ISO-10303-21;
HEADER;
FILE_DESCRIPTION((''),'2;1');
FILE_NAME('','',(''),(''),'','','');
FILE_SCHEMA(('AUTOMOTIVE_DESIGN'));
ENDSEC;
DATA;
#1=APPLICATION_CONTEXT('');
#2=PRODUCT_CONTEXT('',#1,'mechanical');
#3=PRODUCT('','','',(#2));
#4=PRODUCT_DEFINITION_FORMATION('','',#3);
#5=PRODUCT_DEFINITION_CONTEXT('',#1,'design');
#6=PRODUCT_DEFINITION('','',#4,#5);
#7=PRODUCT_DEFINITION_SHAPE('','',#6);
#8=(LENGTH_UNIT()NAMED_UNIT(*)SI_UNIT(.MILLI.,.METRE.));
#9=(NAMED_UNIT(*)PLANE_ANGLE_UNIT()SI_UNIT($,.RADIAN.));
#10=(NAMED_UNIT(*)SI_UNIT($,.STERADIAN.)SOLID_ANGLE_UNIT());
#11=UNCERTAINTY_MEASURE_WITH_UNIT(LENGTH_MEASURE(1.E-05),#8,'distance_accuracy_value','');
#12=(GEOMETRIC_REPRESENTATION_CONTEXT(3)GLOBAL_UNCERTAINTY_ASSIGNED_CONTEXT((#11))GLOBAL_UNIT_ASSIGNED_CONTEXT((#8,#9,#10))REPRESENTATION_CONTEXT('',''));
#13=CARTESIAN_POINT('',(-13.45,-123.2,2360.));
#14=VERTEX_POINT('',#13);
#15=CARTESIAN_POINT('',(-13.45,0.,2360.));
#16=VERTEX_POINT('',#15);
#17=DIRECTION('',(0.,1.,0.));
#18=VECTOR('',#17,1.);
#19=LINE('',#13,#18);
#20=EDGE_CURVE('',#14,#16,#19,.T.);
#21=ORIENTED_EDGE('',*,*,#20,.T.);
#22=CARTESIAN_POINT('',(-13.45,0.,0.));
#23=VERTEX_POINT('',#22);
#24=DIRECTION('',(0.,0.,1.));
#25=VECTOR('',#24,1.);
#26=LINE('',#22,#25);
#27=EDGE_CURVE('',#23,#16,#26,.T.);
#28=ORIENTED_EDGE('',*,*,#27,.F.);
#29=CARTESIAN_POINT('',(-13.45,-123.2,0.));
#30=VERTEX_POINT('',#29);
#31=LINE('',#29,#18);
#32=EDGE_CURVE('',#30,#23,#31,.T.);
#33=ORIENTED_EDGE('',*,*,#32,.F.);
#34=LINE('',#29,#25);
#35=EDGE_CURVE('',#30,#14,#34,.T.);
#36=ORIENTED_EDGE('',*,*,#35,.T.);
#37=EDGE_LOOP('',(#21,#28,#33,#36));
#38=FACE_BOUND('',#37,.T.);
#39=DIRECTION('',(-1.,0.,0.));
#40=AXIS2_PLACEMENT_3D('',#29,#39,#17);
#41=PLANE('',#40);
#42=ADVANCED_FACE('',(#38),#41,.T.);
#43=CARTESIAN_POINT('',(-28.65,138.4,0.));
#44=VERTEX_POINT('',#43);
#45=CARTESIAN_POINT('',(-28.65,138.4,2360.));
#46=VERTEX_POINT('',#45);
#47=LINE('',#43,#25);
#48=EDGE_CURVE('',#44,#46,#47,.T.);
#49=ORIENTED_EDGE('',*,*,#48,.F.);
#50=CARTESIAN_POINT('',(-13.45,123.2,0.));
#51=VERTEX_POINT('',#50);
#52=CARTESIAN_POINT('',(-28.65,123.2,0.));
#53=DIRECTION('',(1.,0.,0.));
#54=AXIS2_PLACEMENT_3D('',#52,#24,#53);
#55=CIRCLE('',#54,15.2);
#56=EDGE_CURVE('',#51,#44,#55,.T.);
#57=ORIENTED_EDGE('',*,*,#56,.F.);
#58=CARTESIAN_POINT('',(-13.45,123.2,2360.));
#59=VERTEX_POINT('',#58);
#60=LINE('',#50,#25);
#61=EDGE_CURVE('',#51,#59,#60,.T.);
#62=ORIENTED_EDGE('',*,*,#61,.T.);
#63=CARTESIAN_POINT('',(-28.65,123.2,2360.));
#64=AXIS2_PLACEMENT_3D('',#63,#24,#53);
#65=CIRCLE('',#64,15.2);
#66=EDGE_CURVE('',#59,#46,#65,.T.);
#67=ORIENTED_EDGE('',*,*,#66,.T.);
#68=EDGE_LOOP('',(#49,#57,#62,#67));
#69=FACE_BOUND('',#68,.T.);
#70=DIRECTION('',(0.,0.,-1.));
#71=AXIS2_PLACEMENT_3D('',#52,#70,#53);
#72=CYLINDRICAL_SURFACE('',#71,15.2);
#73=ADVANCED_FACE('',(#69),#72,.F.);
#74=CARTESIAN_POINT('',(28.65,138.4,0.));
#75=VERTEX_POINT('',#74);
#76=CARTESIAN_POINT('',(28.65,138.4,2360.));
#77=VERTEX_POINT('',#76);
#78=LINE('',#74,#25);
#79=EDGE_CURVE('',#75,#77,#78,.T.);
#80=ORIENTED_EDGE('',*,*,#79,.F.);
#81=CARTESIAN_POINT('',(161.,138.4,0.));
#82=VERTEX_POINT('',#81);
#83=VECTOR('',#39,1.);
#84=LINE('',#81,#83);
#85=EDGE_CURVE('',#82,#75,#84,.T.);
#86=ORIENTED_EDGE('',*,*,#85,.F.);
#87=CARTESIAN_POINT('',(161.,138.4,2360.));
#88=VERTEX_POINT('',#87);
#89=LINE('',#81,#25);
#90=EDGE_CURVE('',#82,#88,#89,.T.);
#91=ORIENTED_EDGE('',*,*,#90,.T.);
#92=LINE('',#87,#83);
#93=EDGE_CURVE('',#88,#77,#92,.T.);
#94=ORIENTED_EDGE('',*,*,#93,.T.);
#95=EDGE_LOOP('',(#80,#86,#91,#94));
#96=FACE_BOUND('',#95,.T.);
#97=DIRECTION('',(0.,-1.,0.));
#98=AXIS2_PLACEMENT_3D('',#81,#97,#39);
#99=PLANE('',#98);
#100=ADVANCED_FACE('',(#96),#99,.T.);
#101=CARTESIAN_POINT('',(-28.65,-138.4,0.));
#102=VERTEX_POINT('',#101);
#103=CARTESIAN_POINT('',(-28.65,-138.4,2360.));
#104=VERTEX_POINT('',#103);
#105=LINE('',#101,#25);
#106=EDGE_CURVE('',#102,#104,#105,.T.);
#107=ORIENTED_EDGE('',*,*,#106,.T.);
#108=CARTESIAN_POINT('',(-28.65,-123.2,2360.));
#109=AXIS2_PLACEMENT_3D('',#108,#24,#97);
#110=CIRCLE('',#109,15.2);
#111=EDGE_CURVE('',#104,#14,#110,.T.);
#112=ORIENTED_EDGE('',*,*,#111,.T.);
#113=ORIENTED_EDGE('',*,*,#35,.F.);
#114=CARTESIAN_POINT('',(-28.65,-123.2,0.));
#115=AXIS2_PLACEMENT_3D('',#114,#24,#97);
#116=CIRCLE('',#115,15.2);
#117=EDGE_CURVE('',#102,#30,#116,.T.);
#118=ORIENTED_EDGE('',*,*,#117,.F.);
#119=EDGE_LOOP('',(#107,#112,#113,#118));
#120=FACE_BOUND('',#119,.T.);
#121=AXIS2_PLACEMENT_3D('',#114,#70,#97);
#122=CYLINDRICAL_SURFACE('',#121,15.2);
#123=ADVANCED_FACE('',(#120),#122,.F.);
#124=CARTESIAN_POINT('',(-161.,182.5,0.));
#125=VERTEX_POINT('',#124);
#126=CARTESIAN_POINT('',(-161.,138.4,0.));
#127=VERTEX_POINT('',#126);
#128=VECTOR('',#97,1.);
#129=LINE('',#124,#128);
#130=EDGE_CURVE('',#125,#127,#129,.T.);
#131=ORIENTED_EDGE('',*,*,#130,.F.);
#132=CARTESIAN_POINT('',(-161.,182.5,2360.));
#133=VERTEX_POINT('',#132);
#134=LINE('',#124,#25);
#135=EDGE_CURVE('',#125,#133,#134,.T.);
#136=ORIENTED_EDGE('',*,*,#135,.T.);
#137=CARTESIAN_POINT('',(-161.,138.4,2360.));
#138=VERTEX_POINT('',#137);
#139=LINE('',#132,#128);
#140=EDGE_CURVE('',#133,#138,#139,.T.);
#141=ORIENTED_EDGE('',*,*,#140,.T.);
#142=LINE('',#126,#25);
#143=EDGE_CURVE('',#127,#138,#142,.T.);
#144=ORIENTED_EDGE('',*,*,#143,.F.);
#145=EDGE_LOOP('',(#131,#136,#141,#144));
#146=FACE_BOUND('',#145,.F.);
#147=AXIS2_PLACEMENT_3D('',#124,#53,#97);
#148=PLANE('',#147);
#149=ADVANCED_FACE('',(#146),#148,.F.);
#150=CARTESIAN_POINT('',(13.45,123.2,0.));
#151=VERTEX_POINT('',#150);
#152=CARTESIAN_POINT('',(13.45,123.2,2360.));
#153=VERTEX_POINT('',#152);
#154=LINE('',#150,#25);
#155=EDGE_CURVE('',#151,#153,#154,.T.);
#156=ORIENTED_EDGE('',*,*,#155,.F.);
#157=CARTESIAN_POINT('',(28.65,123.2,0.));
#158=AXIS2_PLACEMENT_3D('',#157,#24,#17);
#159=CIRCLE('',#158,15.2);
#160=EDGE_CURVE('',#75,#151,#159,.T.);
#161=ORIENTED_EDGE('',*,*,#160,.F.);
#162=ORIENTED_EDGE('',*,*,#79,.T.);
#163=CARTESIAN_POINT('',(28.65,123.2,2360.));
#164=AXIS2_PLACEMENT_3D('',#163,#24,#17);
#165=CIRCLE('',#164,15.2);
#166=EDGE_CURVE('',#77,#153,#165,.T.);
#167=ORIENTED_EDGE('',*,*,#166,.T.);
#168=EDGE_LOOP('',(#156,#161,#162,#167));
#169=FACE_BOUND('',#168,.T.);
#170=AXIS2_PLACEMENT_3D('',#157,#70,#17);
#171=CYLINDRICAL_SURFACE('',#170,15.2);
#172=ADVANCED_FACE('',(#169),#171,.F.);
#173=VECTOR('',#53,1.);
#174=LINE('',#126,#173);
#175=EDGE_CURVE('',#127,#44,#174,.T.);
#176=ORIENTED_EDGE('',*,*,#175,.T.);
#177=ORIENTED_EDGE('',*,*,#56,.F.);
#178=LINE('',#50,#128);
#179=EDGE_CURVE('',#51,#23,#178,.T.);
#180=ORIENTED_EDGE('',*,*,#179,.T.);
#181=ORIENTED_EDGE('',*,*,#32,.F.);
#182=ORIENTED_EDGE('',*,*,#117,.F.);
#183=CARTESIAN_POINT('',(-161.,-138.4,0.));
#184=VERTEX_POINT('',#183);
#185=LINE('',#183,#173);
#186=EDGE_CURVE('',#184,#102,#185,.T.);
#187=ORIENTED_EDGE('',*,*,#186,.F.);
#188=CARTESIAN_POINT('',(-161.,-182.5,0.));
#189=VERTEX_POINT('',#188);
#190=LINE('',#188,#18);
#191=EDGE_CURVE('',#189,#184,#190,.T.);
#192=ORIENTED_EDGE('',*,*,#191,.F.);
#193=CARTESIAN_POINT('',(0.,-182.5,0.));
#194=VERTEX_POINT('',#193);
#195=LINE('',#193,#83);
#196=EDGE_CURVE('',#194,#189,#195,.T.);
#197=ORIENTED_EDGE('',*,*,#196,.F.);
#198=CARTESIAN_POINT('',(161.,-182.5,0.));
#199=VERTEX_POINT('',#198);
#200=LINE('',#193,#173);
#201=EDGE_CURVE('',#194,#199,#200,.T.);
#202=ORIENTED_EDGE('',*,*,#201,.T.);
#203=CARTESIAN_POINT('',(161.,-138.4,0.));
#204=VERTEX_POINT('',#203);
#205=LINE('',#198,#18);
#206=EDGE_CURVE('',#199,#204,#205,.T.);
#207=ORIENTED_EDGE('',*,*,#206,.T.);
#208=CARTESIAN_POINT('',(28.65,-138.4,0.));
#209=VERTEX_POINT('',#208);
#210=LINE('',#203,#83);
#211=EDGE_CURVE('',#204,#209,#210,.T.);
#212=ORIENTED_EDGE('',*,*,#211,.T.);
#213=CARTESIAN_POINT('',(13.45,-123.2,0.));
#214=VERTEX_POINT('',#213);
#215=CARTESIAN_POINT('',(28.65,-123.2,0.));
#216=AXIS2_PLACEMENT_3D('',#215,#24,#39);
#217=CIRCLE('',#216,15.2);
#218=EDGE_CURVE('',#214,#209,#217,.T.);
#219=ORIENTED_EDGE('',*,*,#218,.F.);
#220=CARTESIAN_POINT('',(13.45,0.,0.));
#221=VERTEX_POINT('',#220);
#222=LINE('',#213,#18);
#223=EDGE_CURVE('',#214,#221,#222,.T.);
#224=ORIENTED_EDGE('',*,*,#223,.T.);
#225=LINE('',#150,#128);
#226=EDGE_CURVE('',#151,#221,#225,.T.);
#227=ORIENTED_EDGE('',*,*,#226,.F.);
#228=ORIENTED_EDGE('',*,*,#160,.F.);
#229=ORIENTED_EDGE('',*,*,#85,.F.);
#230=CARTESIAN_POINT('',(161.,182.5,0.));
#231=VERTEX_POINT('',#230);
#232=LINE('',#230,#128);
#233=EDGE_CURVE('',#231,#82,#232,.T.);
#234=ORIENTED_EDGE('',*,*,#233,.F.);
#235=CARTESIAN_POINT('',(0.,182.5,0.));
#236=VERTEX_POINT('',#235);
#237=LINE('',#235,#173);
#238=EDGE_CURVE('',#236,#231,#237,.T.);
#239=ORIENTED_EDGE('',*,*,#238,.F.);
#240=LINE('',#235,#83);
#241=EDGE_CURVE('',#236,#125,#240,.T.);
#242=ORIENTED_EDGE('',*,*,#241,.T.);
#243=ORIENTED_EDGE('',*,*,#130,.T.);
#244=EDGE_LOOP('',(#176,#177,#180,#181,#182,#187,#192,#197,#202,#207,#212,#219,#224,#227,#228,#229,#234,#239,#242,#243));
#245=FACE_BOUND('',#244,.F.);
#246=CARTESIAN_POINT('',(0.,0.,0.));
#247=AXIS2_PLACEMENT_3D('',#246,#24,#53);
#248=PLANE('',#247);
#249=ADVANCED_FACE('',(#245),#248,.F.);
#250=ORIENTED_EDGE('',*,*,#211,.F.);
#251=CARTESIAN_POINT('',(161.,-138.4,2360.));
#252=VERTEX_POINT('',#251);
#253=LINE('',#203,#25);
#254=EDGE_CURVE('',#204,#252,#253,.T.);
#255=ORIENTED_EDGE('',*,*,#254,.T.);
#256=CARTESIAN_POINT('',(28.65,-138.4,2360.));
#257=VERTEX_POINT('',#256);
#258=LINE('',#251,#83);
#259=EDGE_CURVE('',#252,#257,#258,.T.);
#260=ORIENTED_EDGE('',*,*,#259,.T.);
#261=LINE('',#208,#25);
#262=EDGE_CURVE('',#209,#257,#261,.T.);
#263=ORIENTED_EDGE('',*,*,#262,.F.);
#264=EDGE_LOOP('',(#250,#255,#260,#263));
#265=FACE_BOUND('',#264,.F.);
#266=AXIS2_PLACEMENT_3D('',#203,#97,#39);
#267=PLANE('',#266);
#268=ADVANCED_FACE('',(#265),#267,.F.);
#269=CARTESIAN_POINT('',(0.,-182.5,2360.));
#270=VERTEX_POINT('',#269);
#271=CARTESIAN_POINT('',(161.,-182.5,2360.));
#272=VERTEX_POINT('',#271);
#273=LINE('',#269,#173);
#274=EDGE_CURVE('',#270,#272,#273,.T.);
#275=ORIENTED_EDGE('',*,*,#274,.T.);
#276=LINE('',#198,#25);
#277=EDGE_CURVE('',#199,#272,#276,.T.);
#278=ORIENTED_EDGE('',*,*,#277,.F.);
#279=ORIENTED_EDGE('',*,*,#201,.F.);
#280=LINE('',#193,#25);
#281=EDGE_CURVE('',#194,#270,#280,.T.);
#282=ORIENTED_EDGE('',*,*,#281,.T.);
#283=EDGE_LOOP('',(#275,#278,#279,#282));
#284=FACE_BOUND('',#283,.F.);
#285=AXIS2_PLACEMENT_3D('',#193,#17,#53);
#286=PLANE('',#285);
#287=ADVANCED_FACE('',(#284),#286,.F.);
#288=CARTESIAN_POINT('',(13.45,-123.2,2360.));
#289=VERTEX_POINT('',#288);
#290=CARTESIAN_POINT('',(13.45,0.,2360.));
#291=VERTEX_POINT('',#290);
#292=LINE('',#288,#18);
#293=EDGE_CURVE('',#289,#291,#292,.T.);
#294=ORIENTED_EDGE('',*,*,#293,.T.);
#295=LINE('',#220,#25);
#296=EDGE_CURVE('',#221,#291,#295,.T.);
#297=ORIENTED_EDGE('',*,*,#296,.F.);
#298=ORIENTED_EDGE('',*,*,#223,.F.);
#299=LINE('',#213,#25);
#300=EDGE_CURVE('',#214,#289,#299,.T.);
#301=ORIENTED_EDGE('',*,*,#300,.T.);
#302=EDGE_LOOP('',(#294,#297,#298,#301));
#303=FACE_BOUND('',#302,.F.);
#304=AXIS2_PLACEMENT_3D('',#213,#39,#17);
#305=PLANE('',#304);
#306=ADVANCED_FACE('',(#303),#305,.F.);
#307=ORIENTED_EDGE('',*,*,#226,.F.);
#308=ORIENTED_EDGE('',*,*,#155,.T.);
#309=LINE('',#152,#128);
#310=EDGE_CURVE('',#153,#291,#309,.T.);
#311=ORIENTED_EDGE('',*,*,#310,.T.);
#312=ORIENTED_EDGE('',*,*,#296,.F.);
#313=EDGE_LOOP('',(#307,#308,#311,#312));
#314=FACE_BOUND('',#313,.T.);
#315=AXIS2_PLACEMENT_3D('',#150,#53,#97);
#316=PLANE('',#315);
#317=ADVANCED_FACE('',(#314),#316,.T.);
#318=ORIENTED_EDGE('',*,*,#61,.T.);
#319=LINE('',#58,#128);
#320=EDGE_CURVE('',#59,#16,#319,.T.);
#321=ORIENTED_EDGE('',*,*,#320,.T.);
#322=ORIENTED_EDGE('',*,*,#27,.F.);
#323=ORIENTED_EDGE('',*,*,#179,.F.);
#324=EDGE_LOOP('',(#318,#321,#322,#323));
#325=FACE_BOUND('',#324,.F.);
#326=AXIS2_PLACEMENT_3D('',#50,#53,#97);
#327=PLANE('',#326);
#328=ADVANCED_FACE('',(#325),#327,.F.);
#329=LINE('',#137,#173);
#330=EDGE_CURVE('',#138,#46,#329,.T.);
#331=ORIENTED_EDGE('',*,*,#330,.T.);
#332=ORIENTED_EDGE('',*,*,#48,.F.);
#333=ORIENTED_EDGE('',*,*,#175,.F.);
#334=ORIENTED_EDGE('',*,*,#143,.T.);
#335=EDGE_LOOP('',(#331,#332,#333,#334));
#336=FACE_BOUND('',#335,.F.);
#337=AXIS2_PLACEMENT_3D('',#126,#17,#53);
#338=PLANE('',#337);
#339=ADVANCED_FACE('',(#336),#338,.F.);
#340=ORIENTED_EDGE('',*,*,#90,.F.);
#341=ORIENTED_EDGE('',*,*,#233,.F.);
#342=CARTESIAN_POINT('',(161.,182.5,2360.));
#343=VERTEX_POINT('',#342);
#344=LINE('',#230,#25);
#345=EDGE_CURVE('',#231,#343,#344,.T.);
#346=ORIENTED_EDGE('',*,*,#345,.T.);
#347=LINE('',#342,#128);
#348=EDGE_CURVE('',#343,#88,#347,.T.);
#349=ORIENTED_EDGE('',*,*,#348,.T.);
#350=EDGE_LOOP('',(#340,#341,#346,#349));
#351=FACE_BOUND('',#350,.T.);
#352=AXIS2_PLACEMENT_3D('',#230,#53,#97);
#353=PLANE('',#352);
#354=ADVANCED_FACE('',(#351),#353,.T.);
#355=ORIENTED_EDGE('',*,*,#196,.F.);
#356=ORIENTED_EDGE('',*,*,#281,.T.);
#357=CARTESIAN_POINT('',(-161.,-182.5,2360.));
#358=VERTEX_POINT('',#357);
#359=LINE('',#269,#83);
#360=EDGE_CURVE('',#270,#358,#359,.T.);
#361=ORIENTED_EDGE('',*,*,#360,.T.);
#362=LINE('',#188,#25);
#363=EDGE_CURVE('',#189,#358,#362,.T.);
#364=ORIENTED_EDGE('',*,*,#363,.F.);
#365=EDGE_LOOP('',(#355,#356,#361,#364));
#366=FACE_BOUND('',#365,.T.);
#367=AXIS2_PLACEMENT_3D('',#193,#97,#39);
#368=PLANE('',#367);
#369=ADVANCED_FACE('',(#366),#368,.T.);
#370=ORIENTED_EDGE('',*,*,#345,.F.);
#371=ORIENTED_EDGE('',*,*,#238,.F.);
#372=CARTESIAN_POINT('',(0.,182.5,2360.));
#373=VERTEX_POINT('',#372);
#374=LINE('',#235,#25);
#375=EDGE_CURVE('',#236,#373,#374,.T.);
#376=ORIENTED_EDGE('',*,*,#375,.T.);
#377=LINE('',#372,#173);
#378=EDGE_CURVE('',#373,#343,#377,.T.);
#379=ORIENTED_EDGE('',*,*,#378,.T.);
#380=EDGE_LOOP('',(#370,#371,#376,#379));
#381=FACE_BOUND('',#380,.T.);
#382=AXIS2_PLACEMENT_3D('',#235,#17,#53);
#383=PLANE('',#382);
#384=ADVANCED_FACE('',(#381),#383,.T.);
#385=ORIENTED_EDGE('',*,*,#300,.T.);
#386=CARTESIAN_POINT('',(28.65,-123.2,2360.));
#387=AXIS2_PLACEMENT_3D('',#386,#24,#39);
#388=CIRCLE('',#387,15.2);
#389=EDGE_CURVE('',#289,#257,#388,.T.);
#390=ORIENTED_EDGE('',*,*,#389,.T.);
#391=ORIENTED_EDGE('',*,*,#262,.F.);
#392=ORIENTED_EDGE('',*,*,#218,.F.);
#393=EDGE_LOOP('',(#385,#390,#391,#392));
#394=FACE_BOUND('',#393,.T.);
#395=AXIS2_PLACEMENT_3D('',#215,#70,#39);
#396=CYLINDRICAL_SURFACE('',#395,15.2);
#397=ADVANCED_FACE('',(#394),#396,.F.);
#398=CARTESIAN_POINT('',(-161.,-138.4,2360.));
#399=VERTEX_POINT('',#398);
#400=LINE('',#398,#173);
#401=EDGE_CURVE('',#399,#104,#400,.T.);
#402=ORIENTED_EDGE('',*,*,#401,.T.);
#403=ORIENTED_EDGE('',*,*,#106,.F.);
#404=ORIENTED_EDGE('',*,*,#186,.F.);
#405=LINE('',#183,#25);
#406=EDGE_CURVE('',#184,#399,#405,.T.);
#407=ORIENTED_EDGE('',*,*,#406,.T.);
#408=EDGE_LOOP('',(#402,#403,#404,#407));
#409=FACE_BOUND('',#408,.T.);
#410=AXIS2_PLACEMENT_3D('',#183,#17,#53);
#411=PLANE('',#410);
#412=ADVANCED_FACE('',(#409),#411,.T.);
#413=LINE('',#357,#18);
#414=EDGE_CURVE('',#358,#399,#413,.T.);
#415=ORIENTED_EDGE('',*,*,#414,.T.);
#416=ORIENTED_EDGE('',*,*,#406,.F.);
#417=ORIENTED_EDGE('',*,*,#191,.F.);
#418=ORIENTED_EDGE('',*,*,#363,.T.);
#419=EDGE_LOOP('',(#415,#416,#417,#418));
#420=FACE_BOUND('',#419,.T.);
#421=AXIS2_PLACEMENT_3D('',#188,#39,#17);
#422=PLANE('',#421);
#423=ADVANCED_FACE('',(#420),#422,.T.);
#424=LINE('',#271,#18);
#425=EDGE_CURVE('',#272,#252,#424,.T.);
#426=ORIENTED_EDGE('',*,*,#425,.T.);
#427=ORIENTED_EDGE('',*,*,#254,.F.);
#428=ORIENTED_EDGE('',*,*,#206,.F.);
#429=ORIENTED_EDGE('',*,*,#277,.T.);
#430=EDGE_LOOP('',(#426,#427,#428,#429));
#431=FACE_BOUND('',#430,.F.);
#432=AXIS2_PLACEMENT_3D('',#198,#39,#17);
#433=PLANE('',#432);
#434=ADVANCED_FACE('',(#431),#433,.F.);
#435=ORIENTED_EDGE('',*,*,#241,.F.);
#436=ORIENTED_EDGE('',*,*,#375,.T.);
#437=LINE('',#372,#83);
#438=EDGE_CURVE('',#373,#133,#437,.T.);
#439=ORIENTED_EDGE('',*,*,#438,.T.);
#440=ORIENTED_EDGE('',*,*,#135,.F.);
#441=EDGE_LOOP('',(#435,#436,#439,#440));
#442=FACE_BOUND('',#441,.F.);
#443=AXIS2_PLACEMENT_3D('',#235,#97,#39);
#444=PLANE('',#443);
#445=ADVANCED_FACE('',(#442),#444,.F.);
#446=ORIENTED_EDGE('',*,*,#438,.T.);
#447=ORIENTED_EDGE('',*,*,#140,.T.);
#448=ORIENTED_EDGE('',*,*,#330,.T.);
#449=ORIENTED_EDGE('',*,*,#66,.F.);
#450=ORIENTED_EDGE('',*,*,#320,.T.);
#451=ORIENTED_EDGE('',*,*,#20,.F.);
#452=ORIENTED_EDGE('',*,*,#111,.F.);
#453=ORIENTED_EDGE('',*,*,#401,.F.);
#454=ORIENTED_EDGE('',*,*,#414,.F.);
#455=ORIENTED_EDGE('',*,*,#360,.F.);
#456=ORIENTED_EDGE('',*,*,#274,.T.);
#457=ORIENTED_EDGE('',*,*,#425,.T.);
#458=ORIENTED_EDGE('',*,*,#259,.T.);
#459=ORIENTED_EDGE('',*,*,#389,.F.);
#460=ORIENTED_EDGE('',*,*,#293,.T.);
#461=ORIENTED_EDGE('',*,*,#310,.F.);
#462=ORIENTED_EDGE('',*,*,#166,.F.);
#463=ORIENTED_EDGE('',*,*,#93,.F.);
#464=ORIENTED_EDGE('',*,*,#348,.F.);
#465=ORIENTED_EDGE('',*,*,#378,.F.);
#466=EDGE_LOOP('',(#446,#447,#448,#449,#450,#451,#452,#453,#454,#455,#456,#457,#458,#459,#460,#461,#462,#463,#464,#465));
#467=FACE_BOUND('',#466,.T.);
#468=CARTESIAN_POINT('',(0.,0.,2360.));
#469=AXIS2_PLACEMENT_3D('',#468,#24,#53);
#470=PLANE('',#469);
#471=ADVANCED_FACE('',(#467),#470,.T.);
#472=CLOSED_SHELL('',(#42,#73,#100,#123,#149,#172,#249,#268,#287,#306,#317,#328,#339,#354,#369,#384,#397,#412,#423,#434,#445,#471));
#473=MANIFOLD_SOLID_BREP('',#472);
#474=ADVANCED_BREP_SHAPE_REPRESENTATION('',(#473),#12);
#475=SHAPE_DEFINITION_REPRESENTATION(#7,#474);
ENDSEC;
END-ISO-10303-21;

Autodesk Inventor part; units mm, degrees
ref_plane "YZ Plane" through (0, 0, 0) normal (1, 0, 0) x (0, 1, 0)
ref_plane "Start plane" through (0, 0, 0) normal (0, 0, 1) x (1, 0, 0)
ref_plane "End plane" through (0, 0, 2360) normal (0, 0, 1) x (1, 0, 0)
sketch "Sketch" plane through (0, 0, 0) normal (0, 0, 1) x (1, 0, 0)
  line L0 (-161, -182.5) -> (-161, -138.4)
  line L1 (-161, -138.4) -> (-28.65, -138.4)
  line L2 (-13.45, -123.2) -> (-13.45, 0)
  line L3 (-13.45, 0) -> (0, 0) construction
  line L4 (0, 0) -> (0, -182.5) construction
  line L5 (0, -182.5) -> (-161, -182.5)
  line L6 (-60, 0) -> (80, 0) construction
  line L7 (0, -60) -> (0, 80) construction
  line L8 (161, -182.5) -> (161, -138.4)
  line L9 (161, -138.4) -> (28.65, -138.4)
  line L10 (13.45, -123.2) -> (13.45, 0)
  line L11 (13.45, 0) -> (0, 0) construction
  line L12 (0, -182.5) -> (161, -182.5)
  line L13 (-161, 182.5) -> (-161, 138.4)
  line L14 (-161, 138.4) -> (-28.65, 138.4)
  line L15 (-13.45, 123.2) -> (-13.45, 0)
  line L16 (0, 182.5) -> (-161, 182.5)
  line L17 (161, 182.5) -> (161, 138.4)
  line L18 (161, 138.4) -> (28.65, 138.4)
  line L19 (0, 182.5) -> (161, 182.5)
  line L20 (13.45, 123.2) -> (13.45, 0)
  arc A0 (-13.45, 123.2) -> (-28.65, 138.4) centre (-28.65, 123.2) ccw
  arc A1 (28.65, 138.4) -> (13.45, 123.2) centre (28.65, 123.2) ccw
  arc A2 (13.45, -123.2) -> (28.65, -138.4) centre (28.65, -123.2) ccw
  arc A3 (-28.65, -138.4) -> (-13.45, -123.2) centre (-28.65, -123.2) ccw
  line L21 (0, 108) -> (0, -88) construction
  line L22 (-88, 0) -> (108, 0) construction
  point P0 (-13.45, -138.4)
  point P1 (13.45, -138.4)
  point P2 (-13.45, 138.4)
  point P3 (13.45, 138.4)
  dimension "d1" = 182.5
  dimension "d2" = 44.1
  dimension "d3" = 161
  dimension "d4" = 13.45
  dimension "d10" = 15.2
extrude "Body" add sketch "Sketch" along normal up to surface (2360 mm away) from surface at 0
sketch "Sketch4" plane through (0, 0, 0) normal (0, 0, 1) x (1, 0, 0)
  line L0 (0, 0) -> (10, 0)
ref_plane "Work Plane3" through (0, 0, 0) normal (0, -1, 0) x (1, 0, 0)
sketch "Sketch5" plane through (0, 0, 0) normal (0, -1, 0) x (1, 0, 0)
  line L0 (-2, 0) -> (12, 0) projected
  line L1 (-2, 2360) -> (12, 2360) projected
  dimension "d14" = 2360
equation "\"d1\" = 0.5 * G_H"
equation "\"d2\" = G_T1"
equation "\"d3\" = 0.5 * G_W"
equation "\"d4\" = 0.5 * G_T"
equation "\"d10\" = G_IR"
equation "\"d5\" = G_L"
equation "\"G_W\" = 322"
equation "\"G_H\" = 365"
equation "\"G_T\" = 26.9"
equation "\"G_T1\" = 44.1"
equation "\"G_IR\" = 15.2"
equation "\"G_L\" = d14"
equation "\"G_OFFSET_START\" = 0"
equation "\"G_OFFSET_END\" = 0"
properties part number "AS 3679 - 310 UC - 283 - 2360" material "Steel, Mild"
